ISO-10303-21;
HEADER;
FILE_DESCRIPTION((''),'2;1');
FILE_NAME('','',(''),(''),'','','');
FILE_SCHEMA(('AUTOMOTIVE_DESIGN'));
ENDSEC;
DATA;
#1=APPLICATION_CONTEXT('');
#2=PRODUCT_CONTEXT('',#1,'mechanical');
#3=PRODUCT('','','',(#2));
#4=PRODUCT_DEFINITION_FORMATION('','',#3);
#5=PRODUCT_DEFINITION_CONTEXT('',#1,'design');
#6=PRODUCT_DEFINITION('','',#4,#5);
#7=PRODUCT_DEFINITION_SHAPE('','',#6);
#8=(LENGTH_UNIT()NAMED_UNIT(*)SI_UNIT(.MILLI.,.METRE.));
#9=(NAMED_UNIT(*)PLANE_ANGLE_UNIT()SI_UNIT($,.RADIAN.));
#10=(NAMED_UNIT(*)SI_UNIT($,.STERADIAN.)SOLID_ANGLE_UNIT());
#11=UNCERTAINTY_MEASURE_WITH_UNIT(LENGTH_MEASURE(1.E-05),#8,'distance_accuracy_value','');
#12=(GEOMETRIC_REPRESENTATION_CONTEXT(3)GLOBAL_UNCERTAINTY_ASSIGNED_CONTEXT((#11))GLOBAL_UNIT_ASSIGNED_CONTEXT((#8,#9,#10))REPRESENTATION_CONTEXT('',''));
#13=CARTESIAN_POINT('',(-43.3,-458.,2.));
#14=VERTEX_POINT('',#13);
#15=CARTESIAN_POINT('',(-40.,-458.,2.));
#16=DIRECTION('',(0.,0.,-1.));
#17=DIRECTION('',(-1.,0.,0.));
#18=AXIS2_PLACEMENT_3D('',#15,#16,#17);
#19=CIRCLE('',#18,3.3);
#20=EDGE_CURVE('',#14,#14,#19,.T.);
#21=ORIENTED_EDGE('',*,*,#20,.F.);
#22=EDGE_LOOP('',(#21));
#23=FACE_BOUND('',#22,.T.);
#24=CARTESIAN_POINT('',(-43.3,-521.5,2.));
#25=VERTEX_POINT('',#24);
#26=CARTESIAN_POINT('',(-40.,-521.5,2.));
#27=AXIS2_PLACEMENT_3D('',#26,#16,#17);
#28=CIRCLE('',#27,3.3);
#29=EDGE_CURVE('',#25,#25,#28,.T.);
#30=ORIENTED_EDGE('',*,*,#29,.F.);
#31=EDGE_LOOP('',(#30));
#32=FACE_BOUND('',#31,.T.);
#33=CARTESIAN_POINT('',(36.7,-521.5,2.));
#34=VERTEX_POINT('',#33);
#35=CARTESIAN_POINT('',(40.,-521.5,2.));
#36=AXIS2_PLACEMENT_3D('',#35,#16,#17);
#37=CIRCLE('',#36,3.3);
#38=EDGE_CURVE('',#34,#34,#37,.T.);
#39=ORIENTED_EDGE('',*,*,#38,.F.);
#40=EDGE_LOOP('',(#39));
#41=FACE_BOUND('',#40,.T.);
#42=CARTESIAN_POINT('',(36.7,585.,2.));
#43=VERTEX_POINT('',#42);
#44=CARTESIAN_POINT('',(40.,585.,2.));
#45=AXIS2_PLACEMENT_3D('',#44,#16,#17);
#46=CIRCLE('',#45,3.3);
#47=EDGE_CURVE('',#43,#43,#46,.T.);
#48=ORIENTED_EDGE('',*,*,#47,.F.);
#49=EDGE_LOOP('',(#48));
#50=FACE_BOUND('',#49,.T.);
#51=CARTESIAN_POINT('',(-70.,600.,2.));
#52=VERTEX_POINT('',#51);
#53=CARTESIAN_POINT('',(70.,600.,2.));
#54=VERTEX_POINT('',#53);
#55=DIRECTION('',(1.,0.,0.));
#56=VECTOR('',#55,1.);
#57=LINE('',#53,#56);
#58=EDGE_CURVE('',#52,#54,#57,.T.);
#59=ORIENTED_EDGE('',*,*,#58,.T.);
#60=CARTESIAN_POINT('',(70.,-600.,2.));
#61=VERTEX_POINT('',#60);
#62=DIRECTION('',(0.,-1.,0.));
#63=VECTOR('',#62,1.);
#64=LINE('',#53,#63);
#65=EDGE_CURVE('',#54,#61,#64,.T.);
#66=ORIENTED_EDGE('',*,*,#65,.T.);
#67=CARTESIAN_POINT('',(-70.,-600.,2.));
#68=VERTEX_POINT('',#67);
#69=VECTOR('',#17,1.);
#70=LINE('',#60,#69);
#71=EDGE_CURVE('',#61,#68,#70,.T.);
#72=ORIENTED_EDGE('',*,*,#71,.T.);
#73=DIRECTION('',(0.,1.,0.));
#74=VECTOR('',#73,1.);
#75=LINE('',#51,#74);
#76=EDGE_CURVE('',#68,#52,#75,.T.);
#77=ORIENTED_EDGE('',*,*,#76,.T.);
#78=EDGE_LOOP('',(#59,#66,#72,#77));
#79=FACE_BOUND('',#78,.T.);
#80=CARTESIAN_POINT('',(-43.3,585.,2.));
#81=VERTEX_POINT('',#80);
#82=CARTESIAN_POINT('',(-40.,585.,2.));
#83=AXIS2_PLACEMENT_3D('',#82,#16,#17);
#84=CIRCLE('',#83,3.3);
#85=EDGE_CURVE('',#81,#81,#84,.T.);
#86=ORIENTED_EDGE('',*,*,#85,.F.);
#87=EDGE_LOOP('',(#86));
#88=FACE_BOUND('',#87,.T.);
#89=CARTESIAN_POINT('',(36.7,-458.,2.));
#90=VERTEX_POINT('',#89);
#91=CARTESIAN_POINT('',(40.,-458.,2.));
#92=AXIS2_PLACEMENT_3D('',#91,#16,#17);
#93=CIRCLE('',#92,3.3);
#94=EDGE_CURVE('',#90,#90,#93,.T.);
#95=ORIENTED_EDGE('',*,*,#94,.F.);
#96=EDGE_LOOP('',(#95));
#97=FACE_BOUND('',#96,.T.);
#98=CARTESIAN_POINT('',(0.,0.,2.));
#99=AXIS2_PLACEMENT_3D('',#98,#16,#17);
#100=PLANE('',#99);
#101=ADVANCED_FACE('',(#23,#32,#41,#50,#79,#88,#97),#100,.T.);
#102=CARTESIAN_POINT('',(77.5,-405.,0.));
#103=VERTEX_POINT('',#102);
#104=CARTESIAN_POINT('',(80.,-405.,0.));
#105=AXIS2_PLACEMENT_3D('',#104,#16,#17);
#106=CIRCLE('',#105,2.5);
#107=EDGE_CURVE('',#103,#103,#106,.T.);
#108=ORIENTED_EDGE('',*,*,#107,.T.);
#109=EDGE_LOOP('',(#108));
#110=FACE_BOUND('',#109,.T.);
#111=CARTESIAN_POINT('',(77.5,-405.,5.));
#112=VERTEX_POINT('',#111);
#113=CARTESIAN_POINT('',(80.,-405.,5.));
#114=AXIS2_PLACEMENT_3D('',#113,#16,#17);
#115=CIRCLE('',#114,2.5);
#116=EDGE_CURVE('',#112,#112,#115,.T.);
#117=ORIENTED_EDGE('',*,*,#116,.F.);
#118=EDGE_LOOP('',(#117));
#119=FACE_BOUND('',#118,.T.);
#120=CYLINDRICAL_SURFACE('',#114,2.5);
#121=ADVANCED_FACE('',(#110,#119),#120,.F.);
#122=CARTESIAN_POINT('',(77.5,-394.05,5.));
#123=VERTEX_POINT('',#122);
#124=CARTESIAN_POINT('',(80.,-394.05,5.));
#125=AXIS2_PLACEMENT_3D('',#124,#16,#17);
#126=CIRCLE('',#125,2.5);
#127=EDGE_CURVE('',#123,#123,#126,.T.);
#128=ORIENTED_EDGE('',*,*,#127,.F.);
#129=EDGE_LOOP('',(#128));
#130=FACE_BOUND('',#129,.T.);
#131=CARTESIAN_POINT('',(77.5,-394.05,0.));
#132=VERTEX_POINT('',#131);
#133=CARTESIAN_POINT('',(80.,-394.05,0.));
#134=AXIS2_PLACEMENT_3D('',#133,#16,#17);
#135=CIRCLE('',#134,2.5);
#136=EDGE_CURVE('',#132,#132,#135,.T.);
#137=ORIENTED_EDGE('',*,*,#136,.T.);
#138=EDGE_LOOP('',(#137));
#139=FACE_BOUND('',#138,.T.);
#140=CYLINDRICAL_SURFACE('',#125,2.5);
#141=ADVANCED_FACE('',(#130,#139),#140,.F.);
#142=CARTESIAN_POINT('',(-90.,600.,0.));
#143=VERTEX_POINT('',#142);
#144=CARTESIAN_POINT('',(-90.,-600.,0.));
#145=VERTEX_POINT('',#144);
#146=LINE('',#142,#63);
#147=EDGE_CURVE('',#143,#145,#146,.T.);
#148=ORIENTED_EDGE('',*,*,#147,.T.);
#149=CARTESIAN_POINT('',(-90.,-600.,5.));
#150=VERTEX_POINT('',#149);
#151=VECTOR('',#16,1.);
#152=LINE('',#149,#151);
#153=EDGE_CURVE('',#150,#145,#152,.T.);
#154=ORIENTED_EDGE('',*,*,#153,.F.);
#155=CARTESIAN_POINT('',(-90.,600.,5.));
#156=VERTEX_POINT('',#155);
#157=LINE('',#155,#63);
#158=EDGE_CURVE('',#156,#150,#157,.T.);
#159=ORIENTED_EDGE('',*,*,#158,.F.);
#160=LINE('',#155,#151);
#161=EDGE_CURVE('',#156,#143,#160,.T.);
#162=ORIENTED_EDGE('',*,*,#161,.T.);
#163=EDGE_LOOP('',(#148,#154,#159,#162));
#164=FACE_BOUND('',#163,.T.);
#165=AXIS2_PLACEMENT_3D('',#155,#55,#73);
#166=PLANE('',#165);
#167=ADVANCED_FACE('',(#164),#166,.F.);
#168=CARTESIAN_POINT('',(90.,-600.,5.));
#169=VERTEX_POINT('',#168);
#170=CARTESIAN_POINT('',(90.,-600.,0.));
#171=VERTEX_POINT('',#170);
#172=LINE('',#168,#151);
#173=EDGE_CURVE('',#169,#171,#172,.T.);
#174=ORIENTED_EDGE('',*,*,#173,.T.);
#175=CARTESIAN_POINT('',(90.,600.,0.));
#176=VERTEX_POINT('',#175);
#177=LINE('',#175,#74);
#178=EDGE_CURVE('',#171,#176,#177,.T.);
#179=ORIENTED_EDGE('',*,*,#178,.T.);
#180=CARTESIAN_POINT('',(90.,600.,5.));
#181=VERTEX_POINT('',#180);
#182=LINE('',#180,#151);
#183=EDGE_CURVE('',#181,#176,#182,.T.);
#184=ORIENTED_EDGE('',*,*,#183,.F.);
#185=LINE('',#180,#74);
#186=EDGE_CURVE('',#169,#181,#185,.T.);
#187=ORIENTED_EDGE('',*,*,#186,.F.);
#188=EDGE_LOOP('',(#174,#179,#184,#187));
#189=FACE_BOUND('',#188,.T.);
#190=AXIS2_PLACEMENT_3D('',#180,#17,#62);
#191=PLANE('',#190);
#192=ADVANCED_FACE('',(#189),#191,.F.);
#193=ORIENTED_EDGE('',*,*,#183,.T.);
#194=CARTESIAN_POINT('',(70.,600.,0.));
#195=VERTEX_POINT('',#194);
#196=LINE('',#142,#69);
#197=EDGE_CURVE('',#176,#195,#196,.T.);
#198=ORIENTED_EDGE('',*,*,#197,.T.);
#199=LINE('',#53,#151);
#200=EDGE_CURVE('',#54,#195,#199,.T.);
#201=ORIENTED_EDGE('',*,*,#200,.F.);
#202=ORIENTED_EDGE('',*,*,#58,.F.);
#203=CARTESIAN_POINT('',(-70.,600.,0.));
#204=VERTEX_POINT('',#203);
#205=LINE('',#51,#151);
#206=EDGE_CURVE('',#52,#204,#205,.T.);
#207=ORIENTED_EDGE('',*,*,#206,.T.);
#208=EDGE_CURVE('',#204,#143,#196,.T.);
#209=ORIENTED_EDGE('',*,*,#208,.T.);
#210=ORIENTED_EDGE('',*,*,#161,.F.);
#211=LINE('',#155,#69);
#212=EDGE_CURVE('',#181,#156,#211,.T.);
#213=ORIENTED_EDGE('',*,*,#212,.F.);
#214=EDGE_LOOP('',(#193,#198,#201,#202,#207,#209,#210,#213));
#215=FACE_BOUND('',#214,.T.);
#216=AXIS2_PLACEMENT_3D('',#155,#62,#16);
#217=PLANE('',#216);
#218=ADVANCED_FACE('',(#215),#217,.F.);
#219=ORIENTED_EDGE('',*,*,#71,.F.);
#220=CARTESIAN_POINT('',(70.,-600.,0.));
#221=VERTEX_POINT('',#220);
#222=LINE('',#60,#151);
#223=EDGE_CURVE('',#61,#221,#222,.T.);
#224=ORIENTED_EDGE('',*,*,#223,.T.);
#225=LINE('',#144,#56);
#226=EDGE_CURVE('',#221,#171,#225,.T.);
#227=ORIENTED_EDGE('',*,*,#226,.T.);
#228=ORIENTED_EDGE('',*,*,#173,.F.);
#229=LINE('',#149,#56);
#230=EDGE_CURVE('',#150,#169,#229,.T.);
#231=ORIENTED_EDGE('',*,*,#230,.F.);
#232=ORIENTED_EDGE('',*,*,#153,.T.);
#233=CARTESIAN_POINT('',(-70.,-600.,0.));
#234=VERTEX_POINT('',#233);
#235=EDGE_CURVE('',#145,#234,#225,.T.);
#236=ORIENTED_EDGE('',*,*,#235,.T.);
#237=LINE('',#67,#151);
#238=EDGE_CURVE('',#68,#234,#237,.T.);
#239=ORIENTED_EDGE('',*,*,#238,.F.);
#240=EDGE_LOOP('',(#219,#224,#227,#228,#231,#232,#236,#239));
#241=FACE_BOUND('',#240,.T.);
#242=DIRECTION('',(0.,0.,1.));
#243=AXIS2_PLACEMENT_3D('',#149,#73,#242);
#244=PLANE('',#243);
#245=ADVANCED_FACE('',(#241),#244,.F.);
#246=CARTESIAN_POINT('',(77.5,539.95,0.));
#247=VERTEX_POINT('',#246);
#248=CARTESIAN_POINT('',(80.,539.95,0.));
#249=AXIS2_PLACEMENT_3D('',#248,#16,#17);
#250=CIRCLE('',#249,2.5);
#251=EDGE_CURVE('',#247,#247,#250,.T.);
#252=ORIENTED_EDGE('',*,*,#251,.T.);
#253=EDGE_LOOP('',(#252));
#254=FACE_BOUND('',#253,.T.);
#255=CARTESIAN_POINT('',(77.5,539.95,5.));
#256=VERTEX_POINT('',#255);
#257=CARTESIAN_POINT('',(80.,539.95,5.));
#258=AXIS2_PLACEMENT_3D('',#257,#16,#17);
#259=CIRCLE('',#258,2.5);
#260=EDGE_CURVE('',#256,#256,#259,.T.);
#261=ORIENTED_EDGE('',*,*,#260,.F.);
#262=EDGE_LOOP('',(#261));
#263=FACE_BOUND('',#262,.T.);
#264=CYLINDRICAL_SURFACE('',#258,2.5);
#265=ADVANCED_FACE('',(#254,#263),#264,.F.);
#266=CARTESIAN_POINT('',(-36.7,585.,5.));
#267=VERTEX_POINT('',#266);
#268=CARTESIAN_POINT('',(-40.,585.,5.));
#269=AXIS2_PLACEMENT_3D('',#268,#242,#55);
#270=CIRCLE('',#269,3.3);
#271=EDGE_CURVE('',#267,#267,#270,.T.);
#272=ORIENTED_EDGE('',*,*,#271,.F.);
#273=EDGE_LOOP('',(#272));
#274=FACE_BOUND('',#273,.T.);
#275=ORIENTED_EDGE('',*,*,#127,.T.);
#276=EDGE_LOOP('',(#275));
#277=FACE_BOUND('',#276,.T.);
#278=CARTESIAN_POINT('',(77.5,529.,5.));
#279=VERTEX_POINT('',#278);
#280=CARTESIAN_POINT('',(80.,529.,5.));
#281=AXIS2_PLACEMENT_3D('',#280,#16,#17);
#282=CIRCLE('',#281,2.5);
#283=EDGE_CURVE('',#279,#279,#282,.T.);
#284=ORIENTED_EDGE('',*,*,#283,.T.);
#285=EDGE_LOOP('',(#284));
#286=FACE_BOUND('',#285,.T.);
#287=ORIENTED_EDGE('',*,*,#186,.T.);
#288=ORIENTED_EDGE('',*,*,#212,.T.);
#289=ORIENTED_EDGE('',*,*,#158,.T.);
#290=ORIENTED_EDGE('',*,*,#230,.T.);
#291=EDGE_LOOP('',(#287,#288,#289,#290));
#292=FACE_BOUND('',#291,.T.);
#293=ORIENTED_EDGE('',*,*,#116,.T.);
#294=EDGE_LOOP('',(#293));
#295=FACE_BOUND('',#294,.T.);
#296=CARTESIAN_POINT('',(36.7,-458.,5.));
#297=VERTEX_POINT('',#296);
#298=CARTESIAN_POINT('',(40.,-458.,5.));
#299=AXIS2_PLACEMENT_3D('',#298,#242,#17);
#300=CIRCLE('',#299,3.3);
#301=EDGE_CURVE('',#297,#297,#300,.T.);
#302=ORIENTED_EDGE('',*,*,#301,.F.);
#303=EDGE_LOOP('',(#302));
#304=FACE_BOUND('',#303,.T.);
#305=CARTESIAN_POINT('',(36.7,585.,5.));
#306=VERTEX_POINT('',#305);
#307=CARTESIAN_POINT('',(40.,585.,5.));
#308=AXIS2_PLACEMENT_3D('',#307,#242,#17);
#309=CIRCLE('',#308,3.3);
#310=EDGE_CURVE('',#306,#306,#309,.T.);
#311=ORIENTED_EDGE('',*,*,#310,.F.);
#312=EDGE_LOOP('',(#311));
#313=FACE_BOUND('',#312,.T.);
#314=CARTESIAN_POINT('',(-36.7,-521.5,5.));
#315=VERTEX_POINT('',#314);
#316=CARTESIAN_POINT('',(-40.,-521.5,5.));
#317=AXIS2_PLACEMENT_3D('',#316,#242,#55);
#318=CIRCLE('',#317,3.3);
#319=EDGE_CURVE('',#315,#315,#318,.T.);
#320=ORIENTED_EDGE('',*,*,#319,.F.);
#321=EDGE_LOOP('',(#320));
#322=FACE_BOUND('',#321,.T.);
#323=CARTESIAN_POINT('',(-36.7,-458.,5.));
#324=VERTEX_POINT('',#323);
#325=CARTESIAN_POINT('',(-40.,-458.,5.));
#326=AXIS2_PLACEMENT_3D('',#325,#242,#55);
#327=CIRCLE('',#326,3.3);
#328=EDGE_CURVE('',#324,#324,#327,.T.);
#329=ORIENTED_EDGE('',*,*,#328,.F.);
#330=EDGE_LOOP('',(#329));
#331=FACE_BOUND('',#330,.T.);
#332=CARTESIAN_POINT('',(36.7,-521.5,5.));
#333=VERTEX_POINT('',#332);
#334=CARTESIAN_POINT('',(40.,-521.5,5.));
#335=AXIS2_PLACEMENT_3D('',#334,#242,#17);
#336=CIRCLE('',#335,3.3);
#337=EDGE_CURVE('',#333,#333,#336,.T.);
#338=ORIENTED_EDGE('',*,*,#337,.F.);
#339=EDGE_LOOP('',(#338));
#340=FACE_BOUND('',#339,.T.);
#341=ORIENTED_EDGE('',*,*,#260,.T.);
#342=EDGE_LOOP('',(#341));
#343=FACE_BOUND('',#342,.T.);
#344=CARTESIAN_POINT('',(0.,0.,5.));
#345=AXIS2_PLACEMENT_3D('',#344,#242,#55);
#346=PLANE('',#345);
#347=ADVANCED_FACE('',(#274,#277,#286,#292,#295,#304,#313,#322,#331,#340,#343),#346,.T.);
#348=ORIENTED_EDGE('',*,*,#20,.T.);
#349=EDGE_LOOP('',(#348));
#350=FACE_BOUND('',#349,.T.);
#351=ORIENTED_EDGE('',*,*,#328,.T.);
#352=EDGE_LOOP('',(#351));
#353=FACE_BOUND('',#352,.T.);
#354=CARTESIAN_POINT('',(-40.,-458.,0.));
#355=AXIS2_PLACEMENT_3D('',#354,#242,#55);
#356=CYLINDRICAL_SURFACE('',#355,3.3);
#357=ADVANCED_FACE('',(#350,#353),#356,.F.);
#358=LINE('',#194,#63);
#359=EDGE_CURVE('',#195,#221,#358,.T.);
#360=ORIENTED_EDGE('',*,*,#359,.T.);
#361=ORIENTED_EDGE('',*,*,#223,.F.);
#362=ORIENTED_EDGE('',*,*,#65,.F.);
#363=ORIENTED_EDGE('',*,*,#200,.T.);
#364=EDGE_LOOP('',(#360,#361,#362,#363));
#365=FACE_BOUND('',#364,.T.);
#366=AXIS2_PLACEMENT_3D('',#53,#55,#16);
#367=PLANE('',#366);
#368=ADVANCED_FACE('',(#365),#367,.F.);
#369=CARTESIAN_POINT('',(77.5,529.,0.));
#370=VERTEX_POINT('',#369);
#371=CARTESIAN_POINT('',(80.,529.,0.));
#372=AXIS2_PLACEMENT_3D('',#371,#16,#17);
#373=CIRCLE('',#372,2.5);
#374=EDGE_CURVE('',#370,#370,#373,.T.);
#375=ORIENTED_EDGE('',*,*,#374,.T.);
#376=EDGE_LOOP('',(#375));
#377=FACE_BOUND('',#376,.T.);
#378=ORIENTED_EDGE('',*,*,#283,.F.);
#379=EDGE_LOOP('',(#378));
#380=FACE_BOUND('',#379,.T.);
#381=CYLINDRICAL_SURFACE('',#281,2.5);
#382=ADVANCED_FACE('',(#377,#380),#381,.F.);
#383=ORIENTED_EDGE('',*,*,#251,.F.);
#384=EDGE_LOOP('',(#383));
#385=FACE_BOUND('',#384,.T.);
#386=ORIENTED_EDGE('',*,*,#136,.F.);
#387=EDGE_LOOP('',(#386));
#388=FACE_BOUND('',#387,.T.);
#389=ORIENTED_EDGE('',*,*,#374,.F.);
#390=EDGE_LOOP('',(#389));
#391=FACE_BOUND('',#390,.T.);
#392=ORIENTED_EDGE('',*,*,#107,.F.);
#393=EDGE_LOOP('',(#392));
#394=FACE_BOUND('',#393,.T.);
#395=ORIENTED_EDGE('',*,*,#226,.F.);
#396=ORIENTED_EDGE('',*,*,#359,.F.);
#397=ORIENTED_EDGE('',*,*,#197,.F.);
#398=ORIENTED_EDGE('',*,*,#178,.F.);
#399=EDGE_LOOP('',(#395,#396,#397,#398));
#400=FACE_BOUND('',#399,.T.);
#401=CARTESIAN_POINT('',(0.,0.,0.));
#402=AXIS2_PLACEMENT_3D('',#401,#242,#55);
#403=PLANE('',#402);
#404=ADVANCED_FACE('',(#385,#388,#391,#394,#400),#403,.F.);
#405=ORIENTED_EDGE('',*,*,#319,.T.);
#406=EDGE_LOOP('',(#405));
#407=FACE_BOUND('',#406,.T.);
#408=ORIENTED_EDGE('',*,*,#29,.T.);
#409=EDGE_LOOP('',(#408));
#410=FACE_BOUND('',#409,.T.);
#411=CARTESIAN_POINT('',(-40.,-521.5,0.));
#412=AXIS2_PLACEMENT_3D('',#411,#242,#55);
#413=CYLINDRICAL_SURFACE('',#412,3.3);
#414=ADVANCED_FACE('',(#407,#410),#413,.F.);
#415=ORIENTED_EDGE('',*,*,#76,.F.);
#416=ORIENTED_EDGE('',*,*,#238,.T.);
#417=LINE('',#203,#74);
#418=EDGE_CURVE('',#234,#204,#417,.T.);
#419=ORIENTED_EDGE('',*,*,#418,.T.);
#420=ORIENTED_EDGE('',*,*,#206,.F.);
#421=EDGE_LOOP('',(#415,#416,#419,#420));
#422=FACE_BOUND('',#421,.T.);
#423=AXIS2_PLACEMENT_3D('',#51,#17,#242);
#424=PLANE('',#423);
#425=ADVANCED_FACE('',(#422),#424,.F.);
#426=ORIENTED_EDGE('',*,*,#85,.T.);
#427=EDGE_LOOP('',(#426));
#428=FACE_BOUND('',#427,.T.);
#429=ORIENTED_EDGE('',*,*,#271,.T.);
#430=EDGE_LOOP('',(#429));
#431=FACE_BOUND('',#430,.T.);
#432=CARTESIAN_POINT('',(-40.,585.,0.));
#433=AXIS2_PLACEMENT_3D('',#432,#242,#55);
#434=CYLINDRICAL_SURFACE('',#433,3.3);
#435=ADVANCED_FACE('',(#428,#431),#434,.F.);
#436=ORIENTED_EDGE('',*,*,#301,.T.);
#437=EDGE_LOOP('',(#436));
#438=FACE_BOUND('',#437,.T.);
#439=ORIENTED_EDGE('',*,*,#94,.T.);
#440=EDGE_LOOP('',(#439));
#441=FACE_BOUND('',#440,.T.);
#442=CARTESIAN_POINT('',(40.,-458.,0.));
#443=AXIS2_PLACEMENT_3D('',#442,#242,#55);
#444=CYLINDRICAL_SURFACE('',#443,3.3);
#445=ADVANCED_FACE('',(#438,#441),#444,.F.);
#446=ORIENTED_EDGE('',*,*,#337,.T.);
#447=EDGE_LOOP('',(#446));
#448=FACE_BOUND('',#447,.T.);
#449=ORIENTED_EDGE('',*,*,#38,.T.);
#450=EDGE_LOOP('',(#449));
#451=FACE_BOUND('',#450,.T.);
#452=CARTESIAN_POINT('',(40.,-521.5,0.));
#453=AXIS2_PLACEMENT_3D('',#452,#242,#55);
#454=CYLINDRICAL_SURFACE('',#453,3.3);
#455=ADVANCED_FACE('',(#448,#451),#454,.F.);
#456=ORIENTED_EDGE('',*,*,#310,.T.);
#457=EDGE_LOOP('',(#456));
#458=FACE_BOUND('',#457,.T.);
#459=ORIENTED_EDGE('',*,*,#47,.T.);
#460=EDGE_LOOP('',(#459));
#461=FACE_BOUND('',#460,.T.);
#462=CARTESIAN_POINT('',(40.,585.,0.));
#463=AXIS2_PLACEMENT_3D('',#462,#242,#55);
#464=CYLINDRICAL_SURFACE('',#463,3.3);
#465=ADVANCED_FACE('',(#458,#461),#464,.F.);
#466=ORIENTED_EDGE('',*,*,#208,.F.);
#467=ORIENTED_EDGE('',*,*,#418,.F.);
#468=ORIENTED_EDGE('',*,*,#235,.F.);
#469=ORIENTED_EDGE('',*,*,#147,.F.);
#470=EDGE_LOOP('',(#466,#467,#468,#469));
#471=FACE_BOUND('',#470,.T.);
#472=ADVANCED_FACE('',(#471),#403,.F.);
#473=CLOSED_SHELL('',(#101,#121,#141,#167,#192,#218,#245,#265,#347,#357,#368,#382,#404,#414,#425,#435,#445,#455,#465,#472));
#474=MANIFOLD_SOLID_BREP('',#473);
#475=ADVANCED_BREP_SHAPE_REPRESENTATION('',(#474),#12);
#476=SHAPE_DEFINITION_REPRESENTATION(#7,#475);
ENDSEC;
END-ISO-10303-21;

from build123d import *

# Parameters (mm, degrees)
SKETCH1_W           = 180
SKETCH1_H           = 1200
BOSS_EXTRUDE1_DEPTH = 5
SKETCH2_W           = 140
SKETCH2_H           = 1200
CUT_EXTRUDE1_DEPTH  = 2
SKETCH3_R           = 3.3
CUT_EXTRUDE2_DEPTH  = 6
SKETCH4_R           = 2.5
CUT_EXTRUDE3_DEPTH  = 6


with BuildPart() as part:
    # Sketch1 → Boss-Extrude1 (new body)
    with BuildSketch(Plane.XY):
        Rectangle(SKETCH1_W, SKETCH1_H)
    extrude(amount=BOSS_EXTRUDE1_DEPTH)

    # Sketch2 → Cut-Extrude1 (cut)
    with BuildSketch(Plane(origin=(0, 0, 0), x_dir=(-1, 0, 0), z_dir=(0, 0, -1))):
        Rectangle(SKETCH2_W, SKETCH2_H)
    extrude(amount=-CUT_EXTRUDE1_DEPTH, mode=Mode.SUBTRACT)

    # Sketch3 → Cut-Extrude2 (cut, through all)
    with BuildSketch(Plane.XY.offset(5)):
        with Locations((-40, -521.5)):
            Circle(SKETCH3_R)
        with Locations((-40, -458)):
            Circle(SKETCH3_R)
        with Locations((-40, 585)):
            Circle(SKETCH3_R)
        with Locations((40, 585)):
            Circle(SKETCH3_R)
        with Locations((40, -458)):
            Circle(SKETCH3_R)
        with Locations((40, -521.5)):
            Circle(SKETCH3_R)
    extrude(amount=-CUT_EXTRUDE2_DEPTH, mode=Mode.SUBTRACT)

    # Sketch4 → Cut-Extrude3 (cut, through all)
    with BuildSketch(Plane(origin=(0, 0, 0), x_dir=(-1, 0, 0), z_dir=(0, 0, -1))):
        with Locations((-80, 539.95)):
            Circle(SKETCH4_R)
        with Locations((-80, 529)):
            Circle(SKETCH4_R)
        with Locations((-80, -394.05)):
            Circle(SKETCH4_R)
        with Locations((-80, -405)):
            Circle(SKETCH4_R)
    extrude(amount=-CUT_EXTRUDE3_DEPTH, mode=Mode.SUBTRACT)


solid = part.part
